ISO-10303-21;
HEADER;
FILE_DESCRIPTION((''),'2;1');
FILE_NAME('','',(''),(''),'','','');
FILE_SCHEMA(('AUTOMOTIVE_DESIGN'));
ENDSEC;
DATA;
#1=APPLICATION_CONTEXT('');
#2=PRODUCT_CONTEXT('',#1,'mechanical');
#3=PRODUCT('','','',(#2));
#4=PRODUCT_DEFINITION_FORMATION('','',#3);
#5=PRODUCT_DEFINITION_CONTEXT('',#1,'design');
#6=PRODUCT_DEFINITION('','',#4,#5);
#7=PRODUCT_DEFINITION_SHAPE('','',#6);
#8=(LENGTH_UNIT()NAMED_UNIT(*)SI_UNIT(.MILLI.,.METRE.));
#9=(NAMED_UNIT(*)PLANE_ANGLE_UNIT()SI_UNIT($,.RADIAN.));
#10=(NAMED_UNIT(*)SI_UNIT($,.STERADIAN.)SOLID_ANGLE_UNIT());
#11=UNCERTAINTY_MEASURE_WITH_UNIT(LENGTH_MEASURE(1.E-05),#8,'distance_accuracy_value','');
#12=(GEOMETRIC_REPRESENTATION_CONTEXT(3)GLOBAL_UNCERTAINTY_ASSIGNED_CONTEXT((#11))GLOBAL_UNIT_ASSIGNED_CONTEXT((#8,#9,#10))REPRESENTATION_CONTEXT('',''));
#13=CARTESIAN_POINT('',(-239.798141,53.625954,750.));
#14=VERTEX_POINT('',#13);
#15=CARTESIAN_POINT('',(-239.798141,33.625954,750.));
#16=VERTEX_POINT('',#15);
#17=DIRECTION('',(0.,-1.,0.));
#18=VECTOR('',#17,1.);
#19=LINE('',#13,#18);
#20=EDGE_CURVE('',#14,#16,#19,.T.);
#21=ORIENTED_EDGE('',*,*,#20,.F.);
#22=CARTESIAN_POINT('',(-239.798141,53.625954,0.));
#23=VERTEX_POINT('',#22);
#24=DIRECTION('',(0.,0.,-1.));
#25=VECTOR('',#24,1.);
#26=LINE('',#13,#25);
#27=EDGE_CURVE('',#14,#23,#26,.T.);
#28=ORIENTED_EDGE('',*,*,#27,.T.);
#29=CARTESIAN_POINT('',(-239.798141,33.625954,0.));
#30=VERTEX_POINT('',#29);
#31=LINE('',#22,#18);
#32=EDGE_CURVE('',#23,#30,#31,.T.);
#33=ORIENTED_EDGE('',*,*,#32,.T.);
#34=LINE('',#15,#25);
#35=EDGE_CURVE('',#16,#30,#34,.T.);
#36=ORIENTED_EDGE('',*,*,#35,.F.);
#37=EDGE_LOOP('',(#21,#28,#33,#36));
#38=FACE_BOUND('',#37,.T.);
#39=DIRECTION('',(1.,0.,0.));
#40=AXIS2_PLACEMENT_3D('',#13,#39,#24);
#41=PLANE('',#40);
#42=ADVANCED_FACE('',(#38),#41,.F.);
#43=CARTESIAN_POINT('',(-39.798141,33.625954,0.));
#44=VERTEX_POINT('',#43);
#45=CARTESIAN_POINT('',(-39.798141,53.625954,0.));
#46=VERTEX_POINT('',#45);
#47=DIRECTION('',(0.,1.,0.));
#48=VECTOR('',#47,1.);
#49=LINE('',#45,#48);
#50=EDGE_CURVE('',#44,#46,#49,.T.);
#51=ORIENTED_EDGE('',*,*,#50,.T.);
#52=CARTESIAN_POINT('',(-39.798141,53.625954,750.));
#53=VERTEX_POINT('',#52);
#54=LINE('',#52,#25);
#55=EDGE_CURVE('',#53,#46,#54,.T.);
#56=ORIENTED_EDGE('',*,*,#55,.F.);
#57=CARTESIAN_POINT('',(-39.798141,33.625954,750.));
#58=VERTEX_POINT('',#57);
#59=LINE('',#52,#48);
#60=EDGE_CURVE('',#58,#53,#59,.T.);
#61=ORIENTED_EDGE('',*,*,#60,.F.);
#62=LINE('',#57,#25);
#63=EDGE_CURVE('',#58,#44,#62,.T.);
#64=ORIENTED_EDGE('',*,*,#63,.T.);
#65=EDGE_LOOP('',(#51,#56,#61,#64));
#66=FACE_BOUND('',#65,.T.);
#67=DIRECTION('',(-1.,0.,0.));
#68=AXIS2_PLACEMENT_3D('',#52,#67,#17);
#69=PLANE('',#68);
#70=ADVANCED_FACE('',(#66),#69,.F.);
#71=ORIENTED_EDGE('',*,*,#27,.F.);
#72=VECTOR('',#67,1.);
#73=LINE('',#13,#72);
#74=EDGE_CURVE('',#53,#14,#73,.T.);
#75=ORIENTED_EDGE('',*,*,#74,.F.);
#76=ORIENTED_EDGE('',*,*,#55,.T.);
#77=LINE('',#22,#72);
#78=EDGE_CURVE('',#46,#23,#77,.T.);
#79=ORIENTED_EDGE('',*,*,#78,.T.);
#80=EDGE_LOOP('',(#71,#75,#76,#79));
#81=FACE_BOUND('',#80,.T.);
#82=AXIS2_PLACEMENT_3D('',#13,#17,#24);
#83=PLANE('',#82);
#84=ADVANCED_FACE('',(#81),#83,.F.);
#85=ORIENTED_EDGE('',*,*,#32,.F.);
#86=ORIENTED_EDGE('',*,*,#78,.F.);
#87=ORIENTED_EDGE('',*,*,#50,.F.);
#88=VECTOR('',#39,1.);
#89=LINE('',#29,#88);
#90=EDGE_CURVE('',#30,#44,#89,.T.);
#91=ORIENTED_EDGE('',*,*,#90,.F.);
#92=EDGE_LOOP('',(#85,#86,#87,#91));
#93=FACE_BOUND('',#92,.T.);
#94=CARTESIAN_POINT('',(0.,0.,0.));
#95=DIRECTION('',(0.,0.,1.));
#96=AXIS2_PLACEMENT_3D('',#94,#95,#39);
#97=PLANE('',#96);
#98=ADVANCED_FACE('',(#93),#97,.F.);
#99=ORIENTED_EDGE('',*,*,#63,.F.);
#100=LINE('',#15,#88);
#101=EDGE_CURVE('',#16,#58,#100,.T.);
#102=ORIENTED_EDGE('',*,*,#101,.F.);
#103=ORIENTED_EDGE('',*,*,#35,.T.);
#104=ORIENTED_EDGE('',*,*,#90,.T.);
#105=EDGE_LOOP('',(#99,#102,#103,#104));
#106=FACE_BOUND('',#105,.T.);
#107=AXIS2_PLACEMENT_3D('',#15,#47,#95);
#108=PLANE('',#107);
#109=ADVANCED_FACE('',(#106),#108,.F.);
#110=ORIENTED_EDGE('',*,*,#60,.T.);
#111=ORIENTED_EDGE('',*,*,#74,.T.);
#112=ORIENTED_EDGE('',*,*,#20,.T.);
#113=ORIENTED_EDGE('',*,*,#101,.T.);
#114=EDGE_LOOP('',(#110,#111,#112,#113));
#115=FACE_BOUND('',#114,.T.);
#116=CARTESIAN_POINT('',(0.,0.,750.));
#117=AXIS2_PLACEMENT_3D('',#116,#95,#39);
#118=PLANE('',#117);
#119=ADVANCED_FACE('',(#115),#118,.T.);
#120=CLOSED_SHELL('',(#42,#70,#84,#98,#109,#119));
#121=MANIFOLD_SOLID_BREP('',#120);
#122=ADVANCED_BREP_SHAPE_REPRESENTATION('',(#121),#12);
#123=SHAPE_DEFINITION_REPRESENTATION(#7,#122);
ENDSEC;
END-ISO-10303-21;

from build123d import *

# Parameters (mm, degrees)
ESBO_O1_W                = 200
ESBO_O1_H                = 20
RESSALTO_EXTRUS_O1_DEPTH = 750


with BuildPart() as part:
    # Esboço1 → Ressalto-extrusão1 (new body)
    with BuildSketch(Plane.XY):
        with Locations((-139.79814146, 43.625954198)):
            Rectangle(ESBO_O1_W, ESBO_O1_H)
    extrude(amount=RESSALTO_EXTRUS_O1_DEPTH)


solid = part.part
